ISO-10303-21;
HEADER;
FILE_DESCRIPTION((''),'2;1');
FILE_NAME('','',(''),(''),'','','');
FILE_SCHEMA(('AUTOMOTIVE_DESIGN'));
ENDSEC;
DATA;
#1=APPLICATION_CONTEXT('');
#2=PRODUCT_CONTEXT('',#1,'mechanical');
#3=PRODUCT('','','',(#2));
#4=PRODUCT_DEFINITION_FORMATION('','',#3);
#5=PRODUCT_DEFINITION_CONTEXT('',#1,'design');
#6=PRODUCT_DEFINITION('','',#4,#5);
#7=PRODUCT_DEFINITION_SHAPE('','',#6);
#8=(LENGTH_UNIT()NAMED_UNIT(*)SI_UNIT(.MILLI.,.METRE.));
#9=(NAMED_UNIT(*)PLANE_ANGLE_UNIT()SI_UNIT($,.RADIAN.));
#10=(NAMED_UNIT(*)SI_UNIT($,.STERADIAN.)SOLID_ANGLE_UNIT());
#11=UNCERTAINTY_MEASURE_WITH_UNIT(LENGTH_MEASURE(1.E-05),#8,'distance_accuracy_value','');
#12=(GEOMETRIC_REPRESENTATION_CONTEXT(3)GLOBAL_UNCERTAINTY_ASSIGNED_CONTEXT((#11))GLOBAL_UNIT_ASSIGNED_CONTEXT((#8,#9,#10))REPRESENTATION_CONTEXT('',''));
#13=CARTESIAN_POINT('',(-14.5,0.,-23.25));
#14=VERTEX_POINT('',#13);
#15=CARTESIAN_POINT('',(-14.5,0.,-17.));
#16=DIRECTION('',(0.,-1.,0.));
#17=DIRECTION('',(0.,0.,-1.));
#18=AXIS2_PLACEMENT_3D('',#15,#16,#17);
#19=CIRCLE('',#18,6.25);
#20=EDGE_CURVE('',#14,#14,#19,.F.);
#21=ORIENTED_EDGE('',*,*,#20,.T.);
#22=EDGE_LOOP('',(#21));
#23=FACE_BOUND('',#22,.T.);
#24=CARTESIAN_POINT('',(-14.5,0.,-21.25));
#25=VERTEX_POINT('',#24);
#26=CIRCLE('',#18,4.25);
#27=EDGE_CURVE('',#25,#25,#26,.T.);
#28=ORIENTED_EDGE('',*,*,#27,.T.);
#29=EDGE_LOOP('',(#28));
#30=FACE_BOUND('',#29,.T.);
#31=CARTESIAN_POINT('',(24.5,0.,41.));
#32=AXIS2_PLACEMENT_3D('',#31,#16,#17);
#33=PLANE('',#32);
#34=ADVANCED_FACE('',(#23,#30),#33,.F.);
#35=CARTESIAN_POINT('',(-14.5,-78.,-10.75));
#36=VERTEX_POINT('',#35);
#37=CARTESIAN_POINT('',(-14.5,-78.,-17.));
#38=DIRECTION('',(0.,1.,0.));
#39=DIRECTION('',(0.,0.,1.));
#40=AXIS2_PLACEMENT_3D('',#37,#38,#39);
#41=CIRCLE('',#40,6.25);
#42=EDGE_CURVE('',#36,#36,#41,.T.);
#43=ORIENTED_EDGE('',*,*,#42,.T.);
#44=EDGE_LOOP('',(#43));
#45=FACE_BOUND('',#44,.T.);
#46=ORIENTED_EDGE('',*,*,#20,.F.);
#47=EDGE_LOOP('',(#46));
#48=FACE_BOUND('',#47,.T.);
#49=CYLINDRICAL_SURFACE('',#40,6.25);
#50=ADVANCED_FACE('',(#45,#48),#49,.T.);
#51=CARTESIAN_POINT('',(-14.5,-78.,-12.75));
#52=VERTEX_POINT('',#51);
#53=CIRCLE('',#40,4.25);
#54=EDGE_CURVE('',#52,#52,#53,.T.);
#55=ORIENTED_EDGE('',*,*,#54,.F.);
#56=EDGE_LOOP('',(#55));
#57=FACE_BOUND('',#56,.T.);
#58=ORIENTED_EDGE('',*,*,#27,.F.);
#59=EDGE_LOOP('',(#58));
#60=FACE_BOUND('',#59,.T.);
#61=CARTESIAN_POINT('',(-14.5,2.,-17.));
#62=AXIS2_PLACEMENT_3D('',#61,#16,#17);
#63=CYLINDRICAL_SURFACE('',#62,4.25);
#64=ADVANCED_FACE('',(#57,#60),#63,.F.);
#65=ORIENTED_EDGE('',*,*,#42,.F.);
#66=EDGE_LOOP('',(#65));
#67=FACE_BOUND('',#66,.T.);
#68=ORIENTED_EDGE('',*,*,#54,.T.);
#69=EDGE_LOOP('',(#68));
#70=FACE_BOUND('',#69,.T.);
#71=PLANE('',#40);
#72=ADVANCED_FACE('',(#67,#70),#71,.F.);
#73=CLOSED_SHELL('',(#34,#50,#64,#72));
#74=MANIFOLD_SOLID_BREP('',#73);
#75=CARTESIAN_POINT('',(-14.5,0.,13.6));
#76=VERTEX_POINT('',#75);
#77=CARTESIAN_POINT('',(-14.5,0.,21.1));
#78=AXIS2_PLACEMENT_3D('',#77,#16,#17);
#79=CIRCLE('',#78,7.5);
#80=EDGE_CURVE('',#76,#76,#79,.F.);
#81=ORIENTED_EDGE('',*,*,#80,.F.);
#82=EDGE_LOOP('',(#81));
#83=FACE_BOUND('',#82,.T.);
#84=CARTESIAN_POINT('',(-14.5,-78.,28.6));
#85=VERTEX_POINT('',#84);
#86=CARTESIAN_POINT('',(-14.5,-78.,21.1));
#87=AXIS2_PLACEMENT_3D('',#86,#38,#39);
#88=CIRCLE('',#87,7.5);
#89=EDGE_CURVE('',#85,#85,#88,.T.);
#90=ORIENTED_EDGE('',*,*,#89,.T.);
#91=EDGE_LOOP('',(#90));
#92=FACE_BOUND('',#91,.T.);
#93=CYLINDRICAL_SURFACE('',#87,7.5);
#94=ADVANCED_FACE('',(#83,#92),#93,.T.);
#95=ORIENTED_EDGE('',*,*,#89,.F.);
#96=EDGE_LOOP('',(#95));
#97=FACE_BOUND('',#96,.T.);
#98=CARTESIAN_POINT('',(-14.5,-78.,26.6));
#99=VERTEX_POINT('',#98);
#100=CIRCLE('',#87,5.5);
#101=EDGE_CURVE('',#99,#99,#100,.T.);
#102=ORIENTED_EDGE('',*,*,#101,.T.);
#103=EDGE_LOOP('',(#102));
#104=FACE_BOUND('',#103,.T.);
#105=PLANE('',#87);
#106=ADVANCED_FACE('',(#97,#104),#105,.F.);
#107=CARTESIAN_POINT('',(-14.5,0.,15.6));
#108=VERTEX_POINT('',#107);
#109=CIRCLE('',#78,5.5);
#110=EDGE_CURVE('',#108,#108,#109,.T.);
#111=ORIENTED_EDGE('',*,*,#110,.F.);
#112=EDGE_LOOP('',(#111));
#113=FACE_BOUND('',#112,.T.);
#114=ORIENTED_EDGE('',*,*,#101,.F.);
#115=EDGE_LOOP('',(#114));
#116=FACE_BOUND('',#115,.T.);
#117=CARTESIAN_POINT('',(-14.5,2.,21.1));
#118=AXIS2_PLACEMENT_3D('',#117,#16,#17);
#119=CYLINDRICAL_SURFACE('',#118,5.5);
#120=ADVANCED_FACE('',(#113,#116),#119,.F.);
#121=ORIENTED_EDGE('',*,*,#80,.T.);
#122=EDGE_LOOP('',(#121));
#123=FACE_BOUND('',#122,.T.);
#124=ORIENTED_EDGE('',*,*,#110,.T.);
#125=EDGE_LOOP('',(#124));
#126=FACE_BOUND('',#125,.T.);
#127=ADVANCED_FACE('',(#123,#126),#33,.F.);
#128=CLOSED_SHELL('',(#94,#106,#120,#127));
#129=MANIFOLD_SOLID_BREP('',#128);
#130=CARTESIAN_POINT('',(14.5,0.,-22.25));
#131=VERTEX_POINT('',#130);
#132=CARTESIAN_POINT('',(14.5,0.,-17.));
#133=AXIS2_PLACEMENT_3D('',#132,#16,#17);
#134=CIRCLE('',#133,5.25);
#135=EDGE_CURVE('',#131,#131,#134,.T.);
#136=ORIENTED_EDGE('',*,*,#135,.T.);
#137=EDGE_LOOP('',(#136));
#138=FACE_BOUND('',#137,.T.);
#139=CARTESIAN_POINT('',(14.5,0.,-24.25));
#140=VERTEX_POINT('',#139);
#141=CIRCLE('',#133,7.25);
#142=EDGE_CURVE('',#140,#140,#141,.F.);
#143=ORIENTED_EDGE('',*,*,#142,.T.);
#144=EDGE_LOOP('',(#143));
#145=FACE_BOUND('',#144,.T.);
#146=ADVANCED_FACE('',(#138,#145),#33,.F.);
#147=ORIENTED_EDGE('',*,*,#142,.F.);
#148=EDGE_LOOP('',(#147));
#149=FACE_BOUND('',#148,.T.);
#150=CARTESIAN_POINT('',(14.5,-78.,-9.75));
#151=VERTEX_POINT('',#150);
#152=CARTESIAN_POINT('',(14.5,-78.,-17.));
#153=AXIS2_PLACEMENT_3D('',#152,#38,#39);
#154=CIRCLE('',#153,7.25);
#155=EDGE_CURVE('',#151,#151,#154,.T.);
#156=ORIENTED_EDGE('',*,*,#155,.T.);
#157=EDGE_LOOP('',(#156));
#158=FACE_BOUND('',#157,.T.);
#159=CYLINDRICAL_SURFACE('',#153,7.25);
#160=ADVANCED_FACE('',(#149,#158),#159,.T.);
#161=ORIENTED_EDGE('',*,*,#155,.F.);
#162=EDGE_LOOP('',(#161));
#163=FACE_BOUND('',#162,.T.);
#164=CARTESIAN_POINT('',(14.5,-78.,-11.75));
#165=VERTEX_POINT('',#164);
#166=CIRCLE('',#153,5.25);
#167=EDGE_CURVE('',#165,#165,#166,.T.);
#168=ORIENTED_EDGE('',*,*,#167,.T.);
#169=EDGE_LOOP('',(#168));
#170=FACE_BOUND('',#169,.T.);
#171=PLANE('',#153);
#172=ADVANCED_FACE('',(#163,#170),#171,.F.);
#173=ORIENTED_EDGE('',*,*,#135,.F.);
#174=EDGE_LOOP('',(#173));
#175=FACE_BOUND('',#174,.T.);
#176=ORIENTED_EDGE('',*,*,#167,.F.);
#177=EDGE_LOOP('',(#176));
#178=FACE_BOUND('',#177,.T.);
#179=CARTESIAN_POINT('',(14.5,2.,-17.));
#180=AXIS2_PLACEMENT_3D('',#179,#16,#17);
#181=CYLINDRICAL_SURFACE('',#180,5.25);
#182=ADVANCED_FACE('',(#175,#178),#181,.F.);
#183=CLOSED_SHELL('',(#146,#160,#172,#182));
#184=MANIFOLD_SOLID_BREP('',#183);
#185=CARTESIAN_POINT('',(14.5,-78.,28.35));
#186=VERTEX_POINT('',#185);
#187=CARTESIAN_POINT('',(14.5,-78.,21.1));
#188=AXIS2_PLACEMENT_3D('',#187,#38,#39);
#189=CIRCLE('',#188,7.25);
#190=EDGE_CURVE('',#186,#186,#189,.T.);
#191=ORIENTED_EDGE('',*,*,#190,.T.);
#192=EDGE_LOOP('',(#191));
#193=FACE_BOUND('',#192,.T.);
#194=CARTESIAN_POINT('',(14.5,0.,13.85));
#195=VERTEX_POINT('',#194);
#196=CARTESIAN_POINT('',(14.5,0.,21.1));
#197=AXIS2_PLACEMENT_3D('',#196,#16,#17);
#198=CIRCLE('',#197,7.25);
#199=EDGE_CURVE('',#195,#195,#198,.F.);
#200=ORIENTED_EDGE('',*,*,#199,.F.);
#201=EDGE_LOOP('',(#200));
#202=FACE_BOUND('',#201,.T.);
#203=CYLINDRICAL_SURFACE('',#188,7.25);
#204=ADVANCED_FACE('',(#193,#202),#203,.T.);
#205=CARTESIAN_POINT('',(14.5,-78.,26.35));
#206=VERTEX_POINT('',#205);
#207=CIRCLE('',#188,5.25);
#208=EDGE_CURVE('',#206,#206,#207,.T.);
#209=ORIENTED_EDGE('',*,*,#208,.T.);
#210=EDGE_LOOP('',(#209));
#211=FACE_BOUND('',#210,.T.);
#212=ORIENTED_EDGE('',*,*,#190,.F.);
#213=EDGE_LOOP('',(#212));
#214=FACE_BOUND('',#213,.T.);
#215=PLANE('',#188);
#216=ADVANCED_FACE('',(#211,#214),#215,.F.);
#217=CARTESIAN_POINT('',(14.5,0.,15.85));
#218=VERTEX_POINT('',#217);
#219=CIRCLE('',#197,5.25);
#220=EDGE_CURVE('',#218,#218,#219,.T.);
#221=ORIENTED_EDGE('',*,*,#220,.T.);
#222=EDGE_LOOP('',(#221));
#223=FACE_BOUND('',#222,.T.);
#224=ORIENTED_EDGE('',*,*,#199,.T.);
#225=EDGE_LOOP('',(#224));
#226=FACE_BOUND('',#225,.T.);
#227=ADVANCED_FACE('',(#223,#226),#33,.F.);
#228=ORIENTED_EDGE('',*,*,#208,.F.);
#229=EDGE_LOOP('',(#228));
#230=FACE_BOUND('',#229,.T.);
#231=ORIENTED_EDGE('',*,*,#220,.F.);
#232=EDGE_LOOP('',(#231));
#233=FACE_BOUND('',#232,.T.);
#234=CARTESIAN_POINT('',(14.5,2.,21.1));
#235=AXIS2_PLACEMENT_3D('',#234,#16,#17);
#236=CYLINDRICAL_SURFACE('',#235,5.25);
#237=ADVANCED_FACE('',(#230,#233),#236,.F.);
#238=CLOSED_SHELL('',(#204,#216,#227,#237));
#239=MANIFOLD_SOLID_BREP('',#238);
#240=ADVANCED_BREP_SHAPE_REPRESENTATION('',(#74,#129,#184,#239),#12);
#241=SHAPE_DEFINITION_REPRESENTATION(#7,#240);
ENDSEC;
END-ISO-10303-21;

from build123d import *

# Parameters (mm, degrees)
CROQUIS1_W              = 49
CROQUIS1_H              = 73
CROQUIS1_R              = 5.25
CROQUIS1_R_2            = 5.5
CROQUIS1_R_3            = 4.25
CROQUIS1_R_4            = 3
SALIENTE_EXTRUIR4_DEPTH = 2
CROQUIS7_W              = 49
CROQUIS7_H              = 5
SALIENTE_EXTRUIR5_DEPTH = 2
CROQUIS8_R              = 3
CORTAR_EXTRUIR2_DEPTH   = 10
CROQUIS9_R              = 6.25
CROQUIS9_R_2            = 4.25
SALIENTE_EXTRUIR6_DEPTH = 80
CROQUIS10_R             = 7.25
CROQUIS10_R_2           = 5.25
SALIENTE_EXTRUIR7_DEPTH = 80
CROQUIS11_R             = 7.5
CROQUIS11_R_2           = 5.5
CROQUIS11_R_3           = 7.25
CROQUIS11_R_4           = 5.25
SALIENTE_EXTRUIR8_DEPTH = 80
CROQUIS12_W             = 49.867597571
CROQUIS12_H             = 5.700105039
CORTAR_EXTRUIR3_DEPTH   = 79


with BuildPart() as part:
    # Croquis1 → Saliente-Extruir4 (new body)
    with BuildSketch(Plane(origin=(0, 0, 0), x_dir=(1, 0, 0), z_dir=(0, 1, 0))):
        with Locations((0, 0.5)):
            Rectangle(CROQUIS1_W, CROQUIS1_H)
        with Locations((14.5, -21.1)):
            Circle(CROQUIS1_R, mode=Mode.SUBTRACT)
        with Locations((-14.5, -21.1)):
            Circle(CROQUIS1_R_2, mode=Mode.SUBTRACT)
        with Locations((-14.5, 17)):
            Circle(CROQUIS1_R_3, mode=Mode.SUBTRACT)
        with Locations((14.5, 17)):
            Circle(CROQUIS1_R, mode=Mode.SUBTRACT)
        with Locations((-19.5, 32)):
            Circle(CROQUIS1_R_4, mode=Mode.SUBTRACT)
        with Locations((19.5, 32)):
            Circle(CROQUIS1_R_4, mode=Mode.SUBTRACT)
    extrude(amount=SALIENTE_EXTRUIR4_DEPTH)

    # Croquis7 → Saliente-Extruir5 (add)
    with BuildSketch(Plane(origin=(0, 2, 0), x_dir=(1, 0, 0), z_dir=(0, 1, 0))):
        with Locations((0, -38.5)):
            Rectangle(CROQUIS7_W, CROQUIS7_H)
    extrude(amount=-SALIENTE_EXTRUIR5_DEPTH)

    # Croquis8 → Cortar-Extruir2 (cut)
    with BuildSketch(Plane(origin=(0, 2, 0), x_dir=(1, 0, 0), z_dir=(0, 1, 0))):
        with Locations((-19.5, -36)):
            Circle(CROQUIS8_R)
        with Locations((19.5, -36)):
            Circle(CROQUIS8_R)
    extrude(amount=-CORTAR_EXTRUIR2_DEPTH, mode=Mode.SUBTRACT)

    # Croquis9 → Saliente-Extruir6 (add)
    with BuildSketch(Plane(origin=(0, 2, 0), x_dir=(1, 0, 0), z_dir=(0, 1, 0))):
        with Locations((-14.5, 17)):
            Circle(CROQUIS9_R)
        with Locations((-14.5, 17)):
            Circle(CROQUIS9_R_2, mode=Mode.SUBTRACT)
    extrude(amount=-SALIENTE_EXTRUIR6_DEPTH)

    # Croquis10 → Saliente-Extruir7 (add)
    with BuildSketch(Plane(origin=(0, 2, 0), x_dir=(1, 0, 0), z_dir=(0, 1, 0))):
        with Locations((14.5, 17)):
            Circle(CROQUIS10_R)
        with Locations((14.5, 17)):
            Circle(CROQUIS10_R_2, mode=Mode.SUBTRACT)
    extrude(amount=-SALIENTE_EXTRUIR7_DEPTH)

    # Croquis11 → Saliente-Extruir8 (add)
    with BuildSketch(Plane(origin=(0, 2, 0), x_dir=(1, 0, 0), z_dir=(0, 1, 0))):
        with Locations((-14.5, -21.1)):
            Circle(CROQUIS11_R)
        with Locations((-14.5, -21.1)):
            Circle(CROQUIS11_R_2, mode=Mode.SUBTRACT)
        with Locations((14.5, -21.1)):
            Circle(CROQUIS11_R_3)
        with Locations((14.5, -21.1)):
            Circle(CROQUIS11_R_4, mode=Mode.SUBTRACT)
    extrude(amount=-SALIENTE_EXTRUIR8_DEPTH)

    # Croquis12 → Cortar-Extruir3 (cut, through all)
    with BuildSketch(Plane(origin=(0, 0, -37), x_dir=(-1, 0, 0), z_dir=(0, 0, -1))):
        with Locations((0.433798786, 2.85005252)):
            Rectangle(CROQUIS12_W, CROQUIS12_H)
    extrude(amount=-CORTAR_EXTRUIR3_DEPTH, mode=Mode.SUBTRACT)


solid = part.part
